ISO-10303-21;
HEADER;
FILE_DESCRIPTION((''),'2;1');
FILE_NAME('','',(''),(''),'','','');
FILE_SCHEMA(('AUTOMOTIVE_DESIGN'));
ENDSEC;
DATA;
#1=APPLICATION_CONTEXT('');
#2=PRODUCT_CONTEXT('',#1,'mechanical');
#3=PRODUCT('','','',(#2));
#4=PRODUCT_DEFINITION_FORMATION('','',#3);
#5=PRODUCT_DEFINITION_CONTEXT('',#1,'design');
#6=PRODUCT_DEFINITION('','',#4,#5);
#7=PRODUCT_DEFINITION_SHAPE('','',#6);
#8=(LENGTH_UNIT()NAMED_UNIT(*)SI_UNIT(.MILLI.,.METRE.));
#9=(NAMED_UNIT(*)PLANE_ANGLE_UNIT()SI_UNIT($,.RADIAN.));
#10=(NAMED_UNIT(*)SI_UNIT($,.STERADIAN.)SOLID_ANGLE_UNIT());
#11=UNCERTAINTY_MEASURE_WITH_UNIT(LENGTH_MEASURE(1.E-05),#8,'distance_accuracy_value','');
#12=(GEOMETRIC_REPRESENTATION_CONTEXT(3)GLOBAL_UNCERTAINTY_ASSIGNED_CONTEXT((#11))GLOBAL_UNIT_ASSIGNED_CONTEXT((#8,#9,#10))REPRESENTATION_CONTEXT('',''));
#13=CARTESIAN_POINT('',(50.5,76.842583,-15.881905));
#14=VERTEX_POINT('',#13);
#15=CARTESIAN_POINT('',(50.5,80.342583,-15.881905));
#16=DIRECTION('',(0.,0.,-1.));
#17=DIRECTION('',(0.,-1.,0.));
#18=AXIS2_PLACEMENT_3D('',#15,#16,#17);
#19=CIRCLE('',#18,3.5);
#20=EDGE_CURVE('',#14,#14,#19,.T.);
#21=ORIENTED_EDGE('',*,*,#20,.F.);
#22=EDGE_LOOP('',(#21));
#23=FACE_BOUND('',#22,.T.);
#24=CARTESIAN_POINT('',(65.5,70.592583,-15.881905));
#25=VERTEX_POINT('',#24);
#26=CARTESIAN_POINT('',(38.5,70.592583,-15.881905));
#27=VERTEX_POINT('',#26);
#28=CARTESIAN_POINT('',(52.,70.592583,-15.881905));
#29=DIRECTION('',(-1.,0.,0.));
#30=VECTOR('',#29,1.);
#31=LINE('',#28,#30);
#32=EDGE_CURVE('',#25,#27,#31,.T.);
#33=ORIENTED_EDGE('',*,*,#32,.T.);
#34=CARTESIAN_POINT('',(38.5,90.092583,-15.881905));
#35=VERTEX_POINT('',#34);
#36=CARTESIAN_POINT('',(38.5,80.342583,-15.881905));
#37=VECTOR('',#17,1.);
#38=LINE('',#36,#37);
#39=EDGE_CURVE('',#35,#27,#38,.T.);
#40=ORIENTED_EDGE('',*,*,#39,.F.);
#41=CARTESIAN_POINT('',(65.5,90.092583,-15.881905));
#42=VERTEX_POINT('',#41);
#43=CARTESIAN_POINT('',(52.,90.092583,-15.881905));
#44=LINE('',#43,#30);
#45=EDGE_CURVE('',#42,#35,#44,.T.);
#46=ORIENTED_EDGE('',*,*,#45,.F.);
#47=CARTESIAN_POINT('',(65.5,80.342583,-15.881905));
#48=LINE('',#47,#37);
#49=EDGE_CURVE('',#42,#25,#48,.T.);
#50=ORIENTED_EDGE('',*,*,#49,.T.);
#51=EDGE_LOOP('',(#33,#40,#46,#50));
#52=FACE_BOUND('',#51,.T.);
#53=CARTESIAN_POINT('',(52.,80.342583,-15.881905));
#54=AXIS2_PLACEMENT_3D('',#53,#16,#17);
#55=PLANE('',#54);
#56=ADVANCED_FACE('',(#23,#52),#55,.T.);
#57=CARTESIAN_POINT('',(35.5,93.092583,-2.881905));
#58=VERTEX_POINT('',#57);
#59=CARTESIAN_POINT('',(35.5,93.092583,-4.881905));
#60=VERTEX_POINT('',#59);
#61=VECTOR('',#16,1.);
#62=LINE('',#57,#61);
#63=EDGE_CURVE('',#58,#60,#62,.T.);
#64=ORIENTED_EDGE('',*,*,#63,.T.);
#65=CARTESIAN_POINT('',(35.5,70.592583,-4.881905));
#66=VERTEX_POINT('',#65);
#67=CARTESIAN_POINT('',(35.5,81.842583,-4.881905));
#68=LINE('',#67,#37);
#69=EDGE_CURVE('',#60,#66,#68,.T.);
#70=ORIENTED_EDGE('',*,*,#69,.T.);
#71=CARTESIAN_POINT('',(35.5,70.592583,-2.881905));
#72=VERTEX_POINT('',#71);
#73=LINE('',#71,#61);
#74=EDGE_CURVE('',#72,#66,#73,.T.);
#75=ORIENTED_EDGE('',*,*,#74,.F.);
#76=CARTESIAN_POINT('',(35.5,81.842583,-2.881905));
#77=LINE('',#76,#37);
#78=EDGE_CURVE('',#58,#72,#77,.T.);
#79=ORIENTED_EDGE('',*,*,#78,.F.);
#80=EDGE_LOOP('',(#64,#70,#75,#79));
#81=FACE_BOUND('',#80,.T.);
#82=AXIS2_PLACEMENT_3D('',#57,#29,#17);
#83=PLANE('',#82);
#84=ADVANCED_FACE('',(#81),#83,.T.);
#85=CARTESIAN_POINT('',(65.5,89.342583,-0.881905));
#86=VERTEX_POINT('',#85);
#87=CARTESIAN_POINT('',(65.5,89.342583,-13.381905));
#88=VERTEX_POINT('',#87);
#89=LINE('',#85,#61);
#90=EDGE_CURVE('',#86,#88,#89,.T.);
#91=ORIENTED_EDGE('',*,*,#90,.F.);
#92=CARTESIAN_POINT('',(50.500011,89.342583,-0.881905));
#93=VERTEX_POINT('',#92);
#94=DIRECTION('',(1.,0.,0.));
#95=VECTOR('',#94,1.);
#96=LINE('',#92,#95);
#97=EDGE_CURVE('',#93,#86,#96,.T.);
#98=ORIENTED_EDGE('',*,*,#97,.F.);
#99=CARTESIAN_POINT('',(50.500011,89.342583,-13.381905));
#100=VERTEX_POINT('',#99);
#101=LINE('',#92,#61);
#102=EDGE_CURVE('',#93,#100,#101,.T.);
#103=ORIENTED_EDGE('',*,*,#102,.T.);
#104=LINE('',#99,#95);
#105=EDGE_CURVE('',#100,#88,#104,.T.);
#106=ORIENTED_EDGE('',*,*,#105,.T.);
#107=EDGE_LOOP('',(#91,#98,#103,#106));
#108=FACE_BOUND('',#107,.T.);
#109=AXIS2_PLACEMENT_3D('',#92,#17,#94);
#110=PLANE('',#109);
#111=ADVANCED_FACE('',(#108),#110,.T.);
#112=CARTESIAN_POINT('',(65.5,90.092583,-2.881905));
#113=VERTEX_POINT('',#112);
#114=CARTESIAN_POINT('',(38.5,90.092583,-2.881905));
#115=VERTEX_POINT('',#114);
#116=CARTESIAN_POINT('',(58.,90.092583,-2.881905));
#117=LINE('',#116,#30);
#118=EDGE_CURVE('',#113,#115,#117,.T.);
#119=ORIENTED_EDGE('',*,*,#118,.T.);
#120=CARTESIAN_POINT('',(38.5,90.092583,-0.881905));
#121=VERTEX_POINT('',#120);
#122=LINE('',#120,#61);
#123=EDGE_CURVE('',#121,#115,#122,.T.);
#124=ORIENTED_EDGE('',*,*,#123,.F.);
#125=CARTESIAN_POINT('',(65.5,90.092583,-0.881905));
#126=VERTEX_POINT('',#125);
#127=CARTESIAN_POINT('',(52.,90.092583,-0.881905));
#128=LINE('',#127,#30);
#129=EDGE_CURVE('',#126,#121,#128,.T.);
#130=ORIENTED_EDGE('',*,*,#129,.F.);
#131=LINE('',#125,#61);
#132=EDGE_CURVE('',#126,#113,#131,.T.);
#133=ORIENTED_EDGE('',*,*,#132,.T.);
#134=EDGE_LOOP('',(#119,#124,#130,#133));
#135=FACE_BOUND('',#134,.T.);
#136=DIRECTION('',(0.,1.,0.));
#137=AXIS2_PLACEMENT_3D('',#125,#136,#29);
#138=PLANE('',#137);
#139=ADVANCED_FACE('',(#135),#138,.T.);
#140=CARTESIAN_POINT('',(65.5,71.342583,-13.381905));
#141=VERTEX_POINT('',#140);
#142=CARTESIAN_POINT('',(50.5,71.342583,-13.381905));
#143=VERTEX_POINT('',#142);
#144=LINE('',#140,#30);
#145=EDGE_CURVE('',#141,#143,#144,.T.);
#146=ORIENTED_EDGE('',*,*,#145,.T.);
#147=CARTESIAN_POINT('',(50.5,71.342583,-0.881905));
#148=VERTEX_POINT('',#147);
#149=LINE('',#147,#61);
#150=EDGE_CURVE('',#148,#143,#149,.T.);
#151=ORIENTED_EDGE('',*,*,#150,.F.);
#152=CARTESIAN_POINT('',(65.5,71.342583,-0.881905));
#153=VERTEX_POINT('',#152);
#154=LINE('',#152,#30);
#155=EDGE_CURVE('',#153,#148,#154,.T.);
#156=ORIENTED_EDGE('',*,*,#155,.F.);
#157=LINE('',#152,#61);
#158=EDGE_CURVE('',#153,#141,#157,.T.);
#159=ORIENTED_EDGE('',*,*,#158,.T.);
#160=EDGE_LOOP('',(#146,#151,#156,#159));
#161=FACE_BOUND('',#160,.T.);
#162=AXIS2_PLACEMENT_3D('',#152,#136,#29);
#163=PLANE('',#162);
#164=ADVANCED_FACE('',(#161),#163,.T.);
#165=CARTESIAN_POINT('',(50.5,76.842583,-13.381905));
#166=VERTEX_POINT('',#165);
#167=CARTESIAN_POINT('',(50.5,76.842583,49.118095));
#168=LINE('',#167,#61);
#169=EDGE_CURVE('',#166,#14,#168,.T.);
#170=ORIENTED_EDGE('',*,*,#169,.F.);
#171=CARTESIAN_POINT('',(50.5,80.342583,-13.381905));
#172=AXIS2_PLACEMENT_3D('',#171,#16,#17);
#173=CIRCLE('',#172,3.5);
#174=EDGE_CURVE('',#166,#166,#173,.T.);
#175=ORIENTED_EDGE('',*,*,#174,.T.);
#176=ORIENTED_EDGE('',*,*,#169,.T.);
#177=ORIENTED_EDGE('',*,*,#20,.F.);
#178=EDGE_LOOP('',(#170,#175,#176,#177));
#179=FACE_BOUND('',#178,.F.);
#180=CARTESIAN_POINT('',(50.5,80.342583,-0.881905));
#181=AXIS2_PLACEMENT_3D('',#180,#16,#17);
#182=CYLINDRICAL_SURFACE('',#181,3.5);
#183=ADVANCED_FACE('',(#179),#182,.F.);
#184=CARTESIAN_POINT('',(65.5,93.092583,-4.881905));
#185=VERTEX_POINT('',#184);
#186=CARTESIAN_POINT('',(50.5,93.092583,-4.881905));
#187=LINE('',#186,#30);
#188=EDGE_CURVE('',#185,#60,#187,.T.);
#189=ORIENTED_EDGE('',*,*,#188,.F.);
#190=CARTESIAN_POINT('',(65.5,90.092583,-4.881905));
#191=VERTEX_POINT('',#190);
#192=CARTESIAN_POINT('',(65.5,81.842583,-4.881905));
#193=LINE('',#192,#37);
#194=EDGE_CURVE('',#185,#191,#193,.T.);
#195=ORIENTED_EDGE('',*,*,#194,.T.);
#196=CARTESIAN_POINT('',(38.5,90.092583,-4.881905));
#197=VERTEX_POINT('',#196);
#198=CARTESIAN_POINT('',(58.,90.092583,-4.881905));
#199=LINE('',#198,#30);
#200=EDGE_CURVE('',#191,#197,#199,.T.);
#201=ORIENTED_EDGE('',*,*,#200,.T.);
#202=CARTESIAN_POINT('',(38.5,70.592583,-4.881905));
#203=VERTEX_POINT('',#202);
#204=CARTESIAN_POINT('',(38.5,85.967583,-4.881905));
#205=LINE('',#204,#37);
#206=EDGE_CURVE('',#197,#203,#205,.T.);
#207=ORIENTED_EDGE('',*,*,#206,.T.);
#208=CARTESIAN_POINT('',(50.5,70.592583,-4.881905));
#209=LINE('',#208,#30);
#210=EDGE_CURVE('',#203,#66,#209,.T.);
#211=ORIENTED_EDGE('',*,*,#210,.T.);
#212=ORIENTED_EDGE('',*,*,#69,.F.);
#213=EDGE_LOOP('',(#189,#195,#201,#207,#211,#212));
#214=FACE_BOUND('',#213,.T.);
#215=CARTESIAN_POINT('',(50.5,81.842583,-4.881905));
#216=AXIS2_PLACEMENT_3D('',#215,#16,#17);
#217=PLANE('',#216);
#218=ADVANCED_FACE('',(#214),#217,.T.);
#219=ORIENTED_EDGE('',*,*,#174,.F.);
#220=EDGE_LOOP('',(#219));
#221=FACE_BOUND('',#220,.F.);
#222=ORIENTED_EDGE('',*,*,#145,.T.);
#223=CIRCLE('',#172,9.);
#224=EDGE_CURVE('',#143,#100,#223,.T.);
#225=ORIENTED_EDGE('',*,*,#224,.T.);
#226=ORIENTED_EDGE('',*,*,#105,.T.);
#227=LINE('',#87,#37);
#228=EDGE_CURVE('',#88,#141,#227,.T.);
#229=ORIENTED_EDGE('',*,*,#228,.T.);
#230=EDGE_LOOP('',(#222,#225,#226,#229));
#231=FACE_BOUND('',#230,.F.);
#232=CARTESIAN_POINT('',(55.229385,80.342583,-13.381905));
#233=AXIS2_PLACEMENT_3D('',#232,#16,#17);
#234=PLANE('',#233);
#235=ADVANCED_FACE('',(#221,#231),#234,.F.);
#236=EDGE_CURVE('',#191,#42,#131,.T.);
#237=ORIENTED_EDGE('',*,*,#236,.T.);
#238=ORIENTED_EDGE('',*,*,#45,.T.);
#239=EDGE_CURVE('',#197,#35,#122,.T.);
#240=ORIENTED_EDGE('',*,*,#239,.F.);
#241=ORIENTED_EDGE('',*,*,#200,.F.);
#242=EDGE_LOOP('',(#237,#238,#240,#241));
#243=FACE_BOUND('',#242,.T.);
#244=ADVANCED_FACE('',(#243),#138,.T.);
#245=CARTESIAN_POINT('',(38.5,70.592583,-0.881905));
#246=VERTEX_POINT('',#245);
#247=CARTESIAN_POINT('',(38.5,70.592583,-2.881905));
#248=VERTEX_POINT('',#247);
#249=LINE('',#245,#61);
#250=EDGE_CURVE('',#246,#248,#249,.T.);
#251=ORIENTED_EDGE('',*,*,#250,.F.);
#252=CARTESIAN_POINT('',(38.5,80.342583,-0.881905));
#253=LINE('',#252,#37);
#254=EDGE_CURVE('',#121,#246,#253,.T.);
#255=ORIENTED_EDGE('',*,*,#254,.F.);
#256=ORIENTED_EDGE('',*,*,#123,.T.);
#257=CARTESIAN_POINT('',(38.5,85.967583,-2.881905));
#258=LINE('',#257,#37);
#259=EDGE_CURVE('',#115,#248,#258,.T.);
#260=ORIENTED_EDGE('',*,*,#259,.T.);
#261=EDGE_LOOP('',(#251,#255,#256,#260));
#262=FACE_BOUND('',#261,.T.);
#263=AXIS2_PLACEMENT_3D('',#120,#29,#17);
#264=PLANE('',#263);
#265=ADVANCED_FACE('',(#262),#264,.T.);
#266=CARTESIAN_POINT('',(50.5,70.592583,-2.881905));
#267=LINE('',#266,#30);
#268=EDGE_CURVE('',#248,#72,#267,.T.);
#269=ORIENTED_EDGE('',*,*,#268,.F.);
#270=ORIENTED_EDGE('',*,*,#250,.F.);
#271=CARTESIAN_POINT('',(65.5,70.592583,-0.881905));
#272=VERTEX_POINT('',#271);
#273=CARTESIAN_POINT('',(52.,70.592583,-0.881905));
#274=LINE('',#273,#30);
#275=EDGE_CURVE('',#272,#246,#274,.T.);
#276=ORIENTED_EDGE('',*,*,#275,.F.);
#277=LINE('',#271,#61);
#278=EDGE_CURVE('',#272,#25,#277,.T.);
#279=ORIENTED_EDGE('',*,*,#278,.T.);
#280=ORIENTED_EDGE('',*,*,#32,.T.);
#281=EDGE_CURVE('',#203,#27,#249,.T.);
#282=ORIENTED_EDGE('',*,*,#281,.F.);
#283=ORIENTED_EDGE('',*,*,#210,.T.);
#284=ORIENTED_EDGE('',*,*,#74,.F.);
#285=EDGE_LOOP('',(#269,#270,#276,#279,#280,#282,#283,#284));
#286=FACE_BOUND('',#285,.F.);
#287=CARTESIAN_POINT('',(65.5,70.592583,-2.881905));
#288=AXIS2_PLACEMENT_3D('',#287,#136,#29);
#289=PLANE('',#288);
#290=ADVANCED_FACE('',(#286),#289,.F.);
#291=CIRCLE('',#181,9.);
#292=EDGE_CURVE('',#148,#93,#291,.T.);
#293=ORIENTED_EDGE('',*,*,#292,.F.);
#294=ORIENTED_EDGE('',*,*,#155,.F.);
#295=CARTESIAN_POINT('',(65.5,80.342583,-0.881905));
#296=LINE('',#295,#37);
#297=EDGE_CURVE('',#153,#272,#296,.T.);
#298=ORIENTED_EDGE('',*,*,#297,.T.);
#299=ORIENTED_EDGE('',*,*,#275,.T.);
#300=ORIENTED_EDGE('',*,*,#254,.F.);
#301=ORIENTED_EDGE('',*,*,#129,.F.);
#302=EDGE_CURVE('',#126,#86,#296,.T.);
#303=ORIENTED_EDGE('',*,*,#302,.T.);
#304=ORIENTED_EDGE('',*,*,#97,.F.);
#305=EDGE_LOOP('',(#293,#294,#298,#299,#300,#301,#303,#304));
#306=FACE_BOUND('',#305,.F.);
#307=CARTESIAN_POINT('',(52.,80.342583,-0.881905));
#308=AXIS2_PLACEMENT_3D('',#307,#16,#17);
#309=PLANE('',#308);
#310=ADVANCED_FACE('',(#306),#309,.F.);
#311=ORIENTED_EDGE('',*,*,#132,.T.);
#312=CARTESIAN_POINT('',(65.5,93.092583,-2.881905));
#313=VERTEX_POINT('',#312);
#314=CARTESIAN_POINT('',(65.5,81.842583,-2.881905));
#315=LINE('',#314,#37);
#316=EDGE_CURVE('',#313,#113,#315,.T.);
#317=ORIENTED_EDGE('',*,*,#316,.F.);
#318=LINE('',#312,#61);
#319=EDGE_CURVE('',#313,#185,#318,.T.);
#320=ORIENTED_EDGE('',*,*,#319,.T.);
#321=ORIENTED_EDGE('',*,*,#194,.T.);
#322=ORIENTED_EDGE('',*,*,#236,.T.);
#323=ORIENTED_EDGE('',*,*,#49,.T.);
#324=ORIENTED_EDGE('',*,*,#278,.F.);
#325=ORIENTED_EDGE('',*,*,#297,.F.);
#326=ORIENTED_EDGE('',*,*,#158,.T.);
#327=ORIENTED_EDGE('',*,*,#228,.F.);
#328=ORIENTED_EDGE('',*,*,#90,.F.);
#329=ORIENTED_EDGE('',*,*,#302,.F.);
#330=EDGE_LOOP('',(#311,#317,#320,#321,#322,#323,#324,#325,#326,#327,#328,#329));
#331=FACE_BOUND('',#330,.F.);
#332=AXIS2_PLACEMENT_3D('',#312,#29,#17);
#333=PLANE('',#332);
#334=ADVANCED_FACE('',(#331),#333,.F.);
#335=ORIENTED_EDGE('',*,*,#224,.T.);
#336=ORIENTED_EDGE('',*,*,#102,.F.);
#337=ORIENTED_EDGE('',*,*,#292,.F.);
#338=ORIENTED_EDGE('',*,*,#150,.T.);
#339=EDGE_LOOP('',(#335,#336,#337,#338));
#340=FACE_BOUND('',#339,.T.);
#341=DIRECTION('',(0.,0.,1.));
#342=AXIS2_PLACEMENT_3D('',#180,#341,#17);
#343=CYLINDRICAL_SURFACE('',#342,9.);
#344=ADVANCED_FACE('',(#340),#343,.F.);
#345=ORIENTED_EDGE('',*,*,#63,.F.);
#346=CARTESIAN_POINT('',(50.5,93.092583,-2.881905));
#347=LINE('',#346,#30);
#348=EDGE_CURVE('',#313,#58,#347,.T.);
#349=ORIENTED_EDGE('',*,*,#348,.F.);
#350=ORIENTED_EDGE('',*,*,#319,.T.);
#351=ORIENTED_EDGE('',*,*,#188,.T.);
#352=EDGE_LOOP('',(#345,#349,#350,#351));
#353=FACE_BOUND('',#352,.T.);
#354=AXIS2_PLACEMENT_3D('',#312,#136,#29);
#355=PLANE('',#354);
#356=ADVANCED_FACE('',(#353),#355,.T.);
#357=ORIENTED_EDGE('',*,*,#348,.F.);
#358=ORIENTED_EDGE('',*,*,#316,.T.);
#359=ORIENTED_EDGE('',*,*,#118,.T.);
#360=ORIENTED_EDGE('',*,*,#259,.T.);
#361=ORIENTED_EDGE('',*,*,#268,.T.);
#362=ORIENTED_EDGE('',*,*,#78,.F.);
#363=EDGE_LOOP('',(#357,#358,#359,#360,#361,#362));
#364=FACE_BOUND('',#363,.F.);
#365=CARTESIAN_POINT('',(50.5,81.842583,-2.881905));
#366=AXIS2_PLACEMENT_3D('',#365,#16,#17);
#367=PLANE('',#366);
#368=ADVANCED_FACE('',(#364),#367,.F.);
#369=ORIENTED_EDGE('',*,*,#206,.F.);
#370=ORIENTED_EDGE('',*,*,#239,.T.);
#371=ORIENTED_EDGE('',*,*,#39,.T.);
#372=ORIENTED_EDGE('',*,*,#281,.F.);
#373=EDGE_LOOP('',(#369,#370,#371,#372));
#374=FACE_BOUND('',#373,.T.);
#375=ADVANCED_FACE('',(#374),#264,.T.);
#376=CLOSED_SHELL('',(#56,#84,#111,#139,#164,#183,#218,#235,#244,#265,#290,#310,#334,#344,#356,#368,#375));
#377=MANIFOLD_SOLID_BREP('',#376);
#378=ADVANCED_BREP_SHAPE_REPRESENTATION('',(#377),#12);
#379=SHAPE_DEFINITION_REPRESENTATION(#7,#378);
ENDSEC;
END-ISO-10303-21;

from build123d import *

# Parameters (mm, degrees)
SKETCH047_W             = 19.5
SKETCH047_H             = 27
PAD028_DEPTH            = 15
SKETCH048_W             = 22.5
SKETCH048_H             = 30
PAD027_DEPTH            = 2
POCKET019_DEPTH         = 12.5
SKETCH046_R             = 3.5
POCKET018_DEPTH         = 50
BODY015_ROLL_ANGLE      = 180
BODY015_PLACEMENT_ANGLE = -90


with BuildPart() as part:
    # Sketch047 → Pad028 (new body)
    with BuildSketch(Plane.XY):
        with Locations((9.75, 13.5)):
            Rectangle(SKETCH047_W, SKETCH047_H)
    extrude(amount=PAD028_DEPTH)

    # Sketch048 → Pad027 (join)
    with BuildSketch(Plane.XY.offset(2)):
        with Locations((8.25, 15)):
            Rectangle(SKETCH048_W, SKETCH048_H)
    extrude(amount=PAD027_DEPTH)

    # Sketch045 → Pocket019 (cut)
    with BuildSketch(Plane.XY):
        with BuildLine():
            ThreePointArc((18.75, 15), (9.749994, 24), (0.75, 14.999989))
            Line((0.75, 14.999989), (0.75, 0))
            Line((0.75, 0), (18.75, 0))
            Line((18.75, 0), (18.75, 15))
        make_face()
    extrude(amount=POCKET019_DEPTH, mode=Mode.SUBTRACT)

    # Sketch046 → Pocket018 (cut, symmetric)
    with BuildSketch(Plane.XY):
        with Locations((9.75, 15)):
            Circle(SKETCH046_R)
    extrude(amount=POCKET018_DEPTH, both=True, mode=Mode.SUBTRACT)


with BuildPart() as part_1:
    # Body015 roll: moved
    add(part.part.rotate(Axis((0, 0, 0), (1, 0, 0)), BODY015_ROLL_ANGLE))


with BuildPart() as part_2:
    # Body015 placement: moved
    add(part_1.part.moved(Location((65.5, 90.092583, -0.881905))).rotate(Axis((65.5, 90.092583, -0.881905), (0, 0, 1)), BODY015_PLACEMENT_ANGLE))


solid = part_2.part
